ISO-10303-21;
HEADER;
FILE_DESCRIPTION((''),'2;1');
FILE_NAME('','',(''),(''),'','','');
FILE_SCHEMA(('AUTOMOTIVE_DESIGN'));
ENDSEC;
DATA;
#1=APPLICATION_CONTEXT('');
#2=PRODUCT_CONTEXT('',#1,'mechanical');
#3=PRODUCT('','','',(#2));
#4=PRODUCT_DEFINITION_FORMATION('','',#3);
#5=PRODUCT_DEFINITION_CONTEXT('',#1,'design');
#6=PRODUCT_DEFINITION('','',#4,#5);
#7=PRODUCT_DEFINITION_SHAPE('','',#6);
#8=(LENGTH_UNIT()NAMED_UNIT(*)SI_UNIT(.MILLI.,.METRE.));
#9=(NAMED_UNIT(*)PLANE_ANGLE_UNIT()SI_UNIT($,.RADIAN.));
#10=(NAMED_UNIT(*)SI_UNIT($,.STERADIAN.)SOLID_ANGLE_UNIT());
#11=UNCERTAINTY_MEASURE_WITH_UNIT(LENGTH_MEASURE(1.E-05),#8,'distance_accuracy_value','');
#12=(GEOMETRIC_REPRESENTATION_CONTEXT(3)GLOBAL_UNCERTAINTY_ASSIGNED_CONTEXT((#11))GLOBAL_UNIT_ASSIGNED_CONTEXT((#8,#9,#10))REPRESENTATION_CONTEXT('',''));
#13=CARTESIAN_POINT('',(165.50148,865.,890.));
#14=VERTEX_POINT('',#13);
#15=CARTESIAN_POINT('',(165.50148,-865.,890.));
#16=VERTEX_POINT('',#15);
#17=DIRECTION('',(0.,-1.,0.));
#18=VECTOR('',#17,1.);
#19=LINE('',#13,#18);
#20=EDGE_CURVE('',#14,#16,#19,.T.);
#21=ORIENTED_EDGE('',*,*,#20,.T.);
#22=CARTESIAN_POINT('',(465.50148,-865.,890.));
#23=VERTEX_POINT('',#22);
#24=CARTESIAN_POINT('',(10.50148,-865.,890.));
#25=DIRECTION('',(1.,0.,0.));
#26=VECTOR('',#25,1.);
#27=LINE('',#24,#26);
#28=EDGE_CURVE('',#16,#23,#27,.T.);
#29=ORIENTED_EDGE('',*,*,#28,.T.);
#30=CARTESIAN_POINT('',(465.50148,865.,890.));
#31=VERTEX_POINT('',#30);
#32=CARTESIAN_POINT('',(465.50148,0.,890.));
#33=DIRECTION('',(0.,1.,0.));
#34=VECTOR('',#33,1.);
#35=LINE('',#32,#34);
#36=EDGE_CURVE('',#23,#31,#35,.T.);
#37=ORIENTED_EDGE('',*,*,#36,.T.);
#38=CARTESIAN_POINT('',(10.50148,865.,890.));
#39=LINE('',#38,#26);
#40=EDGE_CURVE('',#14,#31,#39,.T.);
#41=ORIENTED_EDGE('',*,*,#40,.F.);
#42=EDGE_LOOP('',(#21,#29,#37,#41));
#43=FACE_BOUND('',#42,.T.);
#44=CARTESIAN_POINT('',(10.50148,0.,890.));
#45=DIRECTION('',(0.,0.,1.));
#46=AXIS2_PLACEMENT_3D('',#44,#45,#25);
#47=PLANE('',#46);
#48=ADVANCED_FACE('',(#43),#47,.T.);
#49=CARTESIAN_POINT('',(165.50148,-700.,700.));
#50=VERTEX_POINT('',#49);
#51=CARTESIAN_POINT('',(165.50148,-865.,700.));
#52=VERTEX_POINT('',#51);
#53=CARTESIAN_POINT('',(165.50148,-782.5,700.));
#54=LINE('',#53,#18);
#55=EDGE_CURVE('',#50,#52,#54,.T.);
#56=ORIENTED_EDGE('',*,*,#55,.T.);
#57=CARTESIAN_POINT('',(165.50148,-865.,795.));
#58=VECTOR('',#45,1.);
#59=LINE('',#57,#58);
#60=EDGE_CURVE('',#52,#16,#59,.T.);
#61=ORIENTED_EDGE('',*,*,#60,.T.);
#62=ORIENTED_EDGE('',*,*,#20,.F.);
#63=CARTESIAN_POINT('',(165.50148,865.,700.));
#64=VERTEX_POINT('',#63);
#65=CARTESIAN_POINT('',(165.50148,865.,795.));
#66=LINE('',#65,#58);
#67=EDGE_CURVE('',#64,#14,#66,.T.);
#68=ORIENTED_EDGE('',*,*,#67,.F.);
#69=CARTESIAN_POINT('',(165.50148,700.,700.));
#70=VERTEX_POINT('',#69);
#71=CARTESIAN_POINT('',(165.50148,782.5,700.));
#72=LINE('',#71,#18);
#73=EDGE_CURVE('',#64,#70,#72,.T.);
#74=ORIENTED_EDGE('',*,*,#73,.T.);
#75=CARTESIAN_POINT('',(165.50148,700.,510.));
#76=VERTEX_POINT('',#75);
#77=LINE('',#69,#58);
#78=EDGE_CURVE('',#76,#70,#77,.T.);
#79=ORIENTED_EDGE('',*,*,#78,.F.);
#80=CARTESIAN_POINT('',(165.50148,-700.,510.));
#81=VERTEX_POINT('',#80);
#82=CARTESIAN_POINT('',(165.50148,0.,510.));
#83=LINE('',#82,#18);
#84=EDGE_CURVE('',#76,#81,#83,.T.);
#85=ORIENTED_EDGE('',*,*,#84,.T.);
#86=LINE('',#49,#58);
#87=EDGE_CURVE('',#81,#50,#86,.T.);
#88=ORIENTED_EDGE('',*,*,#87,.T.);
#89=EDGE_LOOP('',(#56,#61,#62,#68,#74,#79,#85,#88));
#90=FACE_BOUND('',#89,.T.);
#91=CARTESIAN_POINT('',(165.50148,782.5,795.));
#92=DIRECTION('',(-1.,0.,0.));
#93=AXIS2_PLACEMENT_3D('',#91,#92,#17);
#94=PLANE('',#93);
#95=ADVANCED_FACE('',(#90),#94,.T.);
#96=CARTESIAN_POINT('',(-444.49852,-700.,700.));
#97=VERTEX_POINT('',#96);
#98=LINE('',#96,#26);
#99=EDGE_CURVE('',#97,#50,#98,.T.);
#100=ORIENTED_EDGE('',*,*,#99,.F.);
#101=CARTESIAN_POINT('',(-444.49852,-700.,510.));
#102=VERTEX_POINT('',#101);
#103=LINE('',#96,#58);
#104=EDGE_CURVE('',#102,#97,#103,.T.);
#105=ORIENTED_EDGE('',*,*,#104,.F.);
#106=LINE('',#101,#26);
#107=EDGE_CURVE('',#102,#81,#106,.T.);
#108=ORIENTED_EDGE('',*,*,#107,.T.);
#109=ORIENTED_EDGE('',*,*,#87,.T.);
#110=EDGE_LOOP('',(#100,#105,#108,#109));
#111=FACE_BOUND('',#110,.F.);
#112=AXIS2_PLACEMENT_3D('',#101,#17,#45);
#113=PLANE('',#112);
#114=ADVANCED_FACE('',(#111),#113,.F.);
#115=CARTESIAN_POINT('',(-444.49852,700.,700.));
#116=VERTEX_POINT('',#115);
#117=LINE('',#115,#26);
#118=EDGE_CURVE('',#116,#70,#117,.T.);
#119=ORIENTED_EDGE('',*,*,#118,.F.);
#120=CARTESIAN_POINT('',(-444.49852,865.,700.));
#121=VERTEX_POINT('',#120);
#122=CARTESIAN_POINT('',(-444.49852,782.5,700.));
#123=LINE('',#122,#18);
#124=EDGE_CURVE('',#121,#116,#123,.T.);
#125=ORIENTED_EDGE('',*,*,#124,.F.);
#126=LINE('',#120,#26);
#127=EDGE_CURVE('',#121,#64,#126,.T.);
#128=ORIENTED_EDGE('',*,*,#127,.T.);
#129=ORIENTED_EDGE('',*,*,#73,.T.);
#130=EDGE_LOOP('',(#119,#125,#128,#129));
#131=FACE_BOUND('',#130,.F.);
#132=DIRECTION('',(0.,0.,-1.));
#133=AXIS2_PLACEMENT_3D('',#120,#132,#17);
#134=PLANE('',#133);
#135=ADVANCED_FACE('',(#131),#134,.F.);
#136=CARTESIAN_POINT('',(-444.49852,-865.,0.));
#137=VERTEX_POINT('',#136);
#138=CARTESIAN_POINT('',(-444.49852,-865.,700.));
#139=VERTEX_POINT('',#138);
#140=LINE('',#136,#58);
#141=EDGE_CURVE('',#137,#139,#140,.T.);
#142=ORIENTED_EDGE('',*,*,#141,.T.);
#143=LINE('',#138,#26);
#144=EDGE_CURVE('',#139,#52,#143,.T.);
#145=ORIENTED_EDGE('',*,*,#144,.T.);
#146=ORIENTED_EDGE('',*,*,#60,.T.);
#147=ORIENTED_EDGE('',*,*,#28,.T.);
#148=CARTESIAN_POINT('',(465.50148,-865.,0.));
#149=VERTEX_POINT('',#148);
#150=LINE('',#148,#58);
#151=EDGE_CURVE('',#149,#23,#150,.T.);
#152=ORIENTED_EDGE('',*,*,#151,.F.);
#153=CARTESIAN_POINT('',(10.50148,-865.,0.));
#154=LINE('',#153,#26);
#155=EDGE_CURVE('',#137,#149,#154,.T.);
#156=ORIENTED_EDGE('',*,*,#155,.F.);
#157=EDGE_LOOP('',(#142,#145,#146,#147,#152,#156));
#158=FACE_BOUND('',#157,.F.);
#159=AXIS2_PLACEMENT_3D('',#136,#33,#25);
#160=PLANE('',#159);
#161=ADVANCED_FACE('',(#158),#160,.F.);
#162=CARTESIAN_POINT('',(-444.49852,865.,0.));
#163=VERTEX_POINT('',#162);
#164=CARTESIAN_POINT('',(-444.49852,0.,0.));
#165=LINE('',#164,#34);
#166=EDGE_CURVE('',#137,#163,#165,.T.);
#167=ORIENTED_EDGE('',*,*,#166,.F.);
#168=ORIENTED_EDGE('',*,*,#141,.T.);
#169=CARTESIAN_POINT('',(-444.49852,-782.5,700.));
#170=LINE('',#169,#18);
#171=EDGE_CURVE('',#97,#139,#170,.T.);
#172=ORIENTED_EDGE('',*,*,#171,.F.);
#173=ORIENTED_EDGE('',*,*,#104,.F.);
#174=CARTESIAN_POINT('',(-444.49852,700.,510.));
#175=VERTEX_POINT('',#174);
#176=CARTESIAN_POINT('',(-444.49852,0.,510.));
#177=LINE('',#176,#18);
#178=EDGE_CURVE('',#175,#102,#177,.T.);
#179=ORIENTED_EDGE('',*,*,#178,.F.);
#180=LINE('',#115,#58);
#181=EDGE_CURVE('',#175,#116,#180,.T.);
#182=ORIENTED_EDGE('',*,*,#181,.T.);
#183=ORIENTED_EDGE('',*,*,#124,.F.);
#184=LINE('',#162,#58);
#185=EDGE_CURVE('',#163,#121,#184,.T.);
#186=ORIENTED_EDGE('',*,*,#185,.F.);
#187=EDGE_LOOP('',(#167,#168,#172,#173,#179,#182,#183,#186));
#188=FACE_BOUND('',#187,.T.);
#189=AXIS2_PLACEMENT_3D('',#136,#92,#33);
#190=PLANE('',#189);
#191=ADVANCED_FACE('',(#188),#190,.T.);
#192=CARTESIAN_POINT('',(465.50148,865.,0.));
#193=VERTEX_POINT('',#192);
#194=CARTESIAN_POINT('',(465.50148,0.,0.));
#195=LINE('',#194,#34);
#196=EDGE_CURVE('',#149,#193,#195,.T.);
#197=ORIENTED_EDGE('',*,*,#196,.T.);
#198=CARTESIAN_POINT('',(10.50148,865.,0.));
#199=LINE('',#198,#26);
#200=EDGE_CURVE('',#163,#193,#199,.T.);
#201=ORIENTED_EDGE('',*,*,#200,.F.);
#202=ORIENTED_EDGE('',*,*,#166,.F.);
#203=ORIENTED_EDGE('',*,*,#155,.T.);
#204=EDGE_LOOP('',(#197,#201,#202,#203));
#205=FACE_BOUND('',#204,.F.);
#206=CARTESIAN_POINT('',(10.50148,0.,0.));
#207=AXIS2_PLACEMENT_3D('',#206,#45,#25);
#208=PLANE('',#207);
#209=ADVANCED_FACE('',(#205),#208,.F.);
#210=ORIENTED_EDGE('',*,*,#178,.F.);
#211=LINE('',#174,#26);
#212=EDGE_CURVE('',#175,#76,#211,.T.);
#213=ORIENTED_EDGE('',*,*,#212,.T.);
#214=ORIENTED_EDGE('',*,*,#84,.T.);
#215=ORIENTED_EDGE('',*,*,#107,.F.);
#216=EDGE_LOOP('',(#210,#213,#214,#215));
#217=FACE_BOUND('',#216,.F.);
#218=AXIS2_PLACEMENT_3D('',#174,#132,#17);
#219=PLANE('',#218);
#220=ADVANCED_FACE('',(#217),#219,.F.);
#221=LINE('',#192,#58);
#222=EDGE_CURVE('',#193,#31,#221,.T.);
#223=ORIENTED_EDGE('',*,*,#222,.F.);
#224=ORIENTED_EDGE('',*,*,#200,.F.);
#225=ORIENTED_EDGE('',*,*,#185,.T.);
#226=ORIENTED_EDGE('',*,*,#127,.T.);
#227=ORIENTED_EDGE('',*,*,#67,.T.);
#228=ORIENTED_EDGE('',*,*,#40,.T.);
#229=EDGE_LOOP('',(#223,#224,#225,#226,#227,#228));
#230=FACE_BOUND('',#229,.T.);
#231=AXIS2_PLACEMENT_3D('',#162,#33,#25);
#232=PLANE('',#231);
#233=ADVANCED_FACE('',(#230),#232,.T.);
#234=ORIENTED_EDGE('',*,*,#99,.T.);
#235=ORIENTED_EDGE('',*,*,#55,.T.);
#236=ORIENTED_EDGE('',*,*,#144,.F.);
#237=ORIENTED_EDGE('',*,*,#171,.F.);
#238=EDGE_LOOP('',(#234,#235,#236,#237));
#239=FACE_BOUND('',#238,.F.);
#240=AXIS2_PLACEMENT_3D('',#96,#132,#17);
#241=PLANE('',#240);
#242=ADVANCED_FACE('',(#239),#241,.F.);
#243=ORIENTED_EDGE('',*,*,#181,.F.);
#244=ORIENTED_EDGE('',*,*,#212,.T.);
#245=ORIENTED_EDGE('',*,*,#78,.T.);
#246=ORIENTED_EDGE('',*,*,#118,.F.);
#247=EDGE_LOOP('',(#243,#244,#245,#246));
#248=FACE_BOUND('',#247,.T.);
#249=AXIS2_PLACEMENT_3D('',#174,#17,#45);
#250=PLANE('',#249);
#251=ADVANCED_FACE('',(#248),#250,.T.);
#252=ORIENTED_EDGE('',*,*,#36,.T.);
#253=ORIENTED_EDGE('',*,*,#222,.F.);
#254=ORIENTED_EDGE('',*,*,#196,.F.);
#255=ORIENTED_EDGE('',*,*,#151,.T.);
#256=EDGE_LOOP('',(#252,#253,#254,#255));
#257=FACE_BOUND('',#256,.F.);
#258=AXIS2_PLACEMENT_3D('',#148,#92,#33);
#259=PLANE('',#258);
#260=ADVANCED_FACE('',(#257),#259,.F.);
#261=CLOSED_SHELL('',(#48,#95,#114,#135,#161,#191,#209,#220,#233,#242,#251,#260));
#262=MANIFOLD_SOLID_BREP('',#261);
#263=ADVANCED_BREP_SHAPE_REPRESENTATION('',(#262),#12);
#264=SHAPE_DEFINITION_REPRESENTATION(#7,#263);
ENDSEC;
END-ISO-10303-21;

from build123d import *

# Parameters (mm, degrees)
F0_W     = 910
F0_H     = 1730
F1_DEPTH = 890
F2_W     = 1400
F2_H     = 380
F3_DEPTH = 610
F4_W     = 165
F4_H     = 190
F5_DEPTH = 610


with BuildPart() as f1:
    # F0 (on Top) → F1 (new body)
    with BuildSketch(Plane.XY):
        with Locations((10.50148, 0)):
            Rectangle(F0_W, F0_H)
    extrude(amount=F1_DEPTH)

    # F2 (on face) → F3 (cut)
    with BuildSketch(Plane(origin=(-444.49852, 0, 0), x_dir=(0, -1, 0), z_dir=(-1, 0, 0))):
        with Locations((0, 700)):
            Rectangle(F2_W, F2_H)
    extrude(amount=-F3_DEPTH, mode=Mode.SUBTRACT)

    # F4 (on face) → F5 (cut, through all)
    with BuildSketch(Plane(origin=(-444.49852, 0, 0), x_dir=(0, -1, 0), z_dir=(-1, 0, 0))):
        with Locations((-782.5, 795)):
            Rectangle(F4_W, F4_H)
        with Locations((782.5, 795)):
            Rectangle(F4_W, F4_H)
    extrude(amount=-F5_DEPTH, mode=Mode.SUBTRACT)


solid = f1.part
